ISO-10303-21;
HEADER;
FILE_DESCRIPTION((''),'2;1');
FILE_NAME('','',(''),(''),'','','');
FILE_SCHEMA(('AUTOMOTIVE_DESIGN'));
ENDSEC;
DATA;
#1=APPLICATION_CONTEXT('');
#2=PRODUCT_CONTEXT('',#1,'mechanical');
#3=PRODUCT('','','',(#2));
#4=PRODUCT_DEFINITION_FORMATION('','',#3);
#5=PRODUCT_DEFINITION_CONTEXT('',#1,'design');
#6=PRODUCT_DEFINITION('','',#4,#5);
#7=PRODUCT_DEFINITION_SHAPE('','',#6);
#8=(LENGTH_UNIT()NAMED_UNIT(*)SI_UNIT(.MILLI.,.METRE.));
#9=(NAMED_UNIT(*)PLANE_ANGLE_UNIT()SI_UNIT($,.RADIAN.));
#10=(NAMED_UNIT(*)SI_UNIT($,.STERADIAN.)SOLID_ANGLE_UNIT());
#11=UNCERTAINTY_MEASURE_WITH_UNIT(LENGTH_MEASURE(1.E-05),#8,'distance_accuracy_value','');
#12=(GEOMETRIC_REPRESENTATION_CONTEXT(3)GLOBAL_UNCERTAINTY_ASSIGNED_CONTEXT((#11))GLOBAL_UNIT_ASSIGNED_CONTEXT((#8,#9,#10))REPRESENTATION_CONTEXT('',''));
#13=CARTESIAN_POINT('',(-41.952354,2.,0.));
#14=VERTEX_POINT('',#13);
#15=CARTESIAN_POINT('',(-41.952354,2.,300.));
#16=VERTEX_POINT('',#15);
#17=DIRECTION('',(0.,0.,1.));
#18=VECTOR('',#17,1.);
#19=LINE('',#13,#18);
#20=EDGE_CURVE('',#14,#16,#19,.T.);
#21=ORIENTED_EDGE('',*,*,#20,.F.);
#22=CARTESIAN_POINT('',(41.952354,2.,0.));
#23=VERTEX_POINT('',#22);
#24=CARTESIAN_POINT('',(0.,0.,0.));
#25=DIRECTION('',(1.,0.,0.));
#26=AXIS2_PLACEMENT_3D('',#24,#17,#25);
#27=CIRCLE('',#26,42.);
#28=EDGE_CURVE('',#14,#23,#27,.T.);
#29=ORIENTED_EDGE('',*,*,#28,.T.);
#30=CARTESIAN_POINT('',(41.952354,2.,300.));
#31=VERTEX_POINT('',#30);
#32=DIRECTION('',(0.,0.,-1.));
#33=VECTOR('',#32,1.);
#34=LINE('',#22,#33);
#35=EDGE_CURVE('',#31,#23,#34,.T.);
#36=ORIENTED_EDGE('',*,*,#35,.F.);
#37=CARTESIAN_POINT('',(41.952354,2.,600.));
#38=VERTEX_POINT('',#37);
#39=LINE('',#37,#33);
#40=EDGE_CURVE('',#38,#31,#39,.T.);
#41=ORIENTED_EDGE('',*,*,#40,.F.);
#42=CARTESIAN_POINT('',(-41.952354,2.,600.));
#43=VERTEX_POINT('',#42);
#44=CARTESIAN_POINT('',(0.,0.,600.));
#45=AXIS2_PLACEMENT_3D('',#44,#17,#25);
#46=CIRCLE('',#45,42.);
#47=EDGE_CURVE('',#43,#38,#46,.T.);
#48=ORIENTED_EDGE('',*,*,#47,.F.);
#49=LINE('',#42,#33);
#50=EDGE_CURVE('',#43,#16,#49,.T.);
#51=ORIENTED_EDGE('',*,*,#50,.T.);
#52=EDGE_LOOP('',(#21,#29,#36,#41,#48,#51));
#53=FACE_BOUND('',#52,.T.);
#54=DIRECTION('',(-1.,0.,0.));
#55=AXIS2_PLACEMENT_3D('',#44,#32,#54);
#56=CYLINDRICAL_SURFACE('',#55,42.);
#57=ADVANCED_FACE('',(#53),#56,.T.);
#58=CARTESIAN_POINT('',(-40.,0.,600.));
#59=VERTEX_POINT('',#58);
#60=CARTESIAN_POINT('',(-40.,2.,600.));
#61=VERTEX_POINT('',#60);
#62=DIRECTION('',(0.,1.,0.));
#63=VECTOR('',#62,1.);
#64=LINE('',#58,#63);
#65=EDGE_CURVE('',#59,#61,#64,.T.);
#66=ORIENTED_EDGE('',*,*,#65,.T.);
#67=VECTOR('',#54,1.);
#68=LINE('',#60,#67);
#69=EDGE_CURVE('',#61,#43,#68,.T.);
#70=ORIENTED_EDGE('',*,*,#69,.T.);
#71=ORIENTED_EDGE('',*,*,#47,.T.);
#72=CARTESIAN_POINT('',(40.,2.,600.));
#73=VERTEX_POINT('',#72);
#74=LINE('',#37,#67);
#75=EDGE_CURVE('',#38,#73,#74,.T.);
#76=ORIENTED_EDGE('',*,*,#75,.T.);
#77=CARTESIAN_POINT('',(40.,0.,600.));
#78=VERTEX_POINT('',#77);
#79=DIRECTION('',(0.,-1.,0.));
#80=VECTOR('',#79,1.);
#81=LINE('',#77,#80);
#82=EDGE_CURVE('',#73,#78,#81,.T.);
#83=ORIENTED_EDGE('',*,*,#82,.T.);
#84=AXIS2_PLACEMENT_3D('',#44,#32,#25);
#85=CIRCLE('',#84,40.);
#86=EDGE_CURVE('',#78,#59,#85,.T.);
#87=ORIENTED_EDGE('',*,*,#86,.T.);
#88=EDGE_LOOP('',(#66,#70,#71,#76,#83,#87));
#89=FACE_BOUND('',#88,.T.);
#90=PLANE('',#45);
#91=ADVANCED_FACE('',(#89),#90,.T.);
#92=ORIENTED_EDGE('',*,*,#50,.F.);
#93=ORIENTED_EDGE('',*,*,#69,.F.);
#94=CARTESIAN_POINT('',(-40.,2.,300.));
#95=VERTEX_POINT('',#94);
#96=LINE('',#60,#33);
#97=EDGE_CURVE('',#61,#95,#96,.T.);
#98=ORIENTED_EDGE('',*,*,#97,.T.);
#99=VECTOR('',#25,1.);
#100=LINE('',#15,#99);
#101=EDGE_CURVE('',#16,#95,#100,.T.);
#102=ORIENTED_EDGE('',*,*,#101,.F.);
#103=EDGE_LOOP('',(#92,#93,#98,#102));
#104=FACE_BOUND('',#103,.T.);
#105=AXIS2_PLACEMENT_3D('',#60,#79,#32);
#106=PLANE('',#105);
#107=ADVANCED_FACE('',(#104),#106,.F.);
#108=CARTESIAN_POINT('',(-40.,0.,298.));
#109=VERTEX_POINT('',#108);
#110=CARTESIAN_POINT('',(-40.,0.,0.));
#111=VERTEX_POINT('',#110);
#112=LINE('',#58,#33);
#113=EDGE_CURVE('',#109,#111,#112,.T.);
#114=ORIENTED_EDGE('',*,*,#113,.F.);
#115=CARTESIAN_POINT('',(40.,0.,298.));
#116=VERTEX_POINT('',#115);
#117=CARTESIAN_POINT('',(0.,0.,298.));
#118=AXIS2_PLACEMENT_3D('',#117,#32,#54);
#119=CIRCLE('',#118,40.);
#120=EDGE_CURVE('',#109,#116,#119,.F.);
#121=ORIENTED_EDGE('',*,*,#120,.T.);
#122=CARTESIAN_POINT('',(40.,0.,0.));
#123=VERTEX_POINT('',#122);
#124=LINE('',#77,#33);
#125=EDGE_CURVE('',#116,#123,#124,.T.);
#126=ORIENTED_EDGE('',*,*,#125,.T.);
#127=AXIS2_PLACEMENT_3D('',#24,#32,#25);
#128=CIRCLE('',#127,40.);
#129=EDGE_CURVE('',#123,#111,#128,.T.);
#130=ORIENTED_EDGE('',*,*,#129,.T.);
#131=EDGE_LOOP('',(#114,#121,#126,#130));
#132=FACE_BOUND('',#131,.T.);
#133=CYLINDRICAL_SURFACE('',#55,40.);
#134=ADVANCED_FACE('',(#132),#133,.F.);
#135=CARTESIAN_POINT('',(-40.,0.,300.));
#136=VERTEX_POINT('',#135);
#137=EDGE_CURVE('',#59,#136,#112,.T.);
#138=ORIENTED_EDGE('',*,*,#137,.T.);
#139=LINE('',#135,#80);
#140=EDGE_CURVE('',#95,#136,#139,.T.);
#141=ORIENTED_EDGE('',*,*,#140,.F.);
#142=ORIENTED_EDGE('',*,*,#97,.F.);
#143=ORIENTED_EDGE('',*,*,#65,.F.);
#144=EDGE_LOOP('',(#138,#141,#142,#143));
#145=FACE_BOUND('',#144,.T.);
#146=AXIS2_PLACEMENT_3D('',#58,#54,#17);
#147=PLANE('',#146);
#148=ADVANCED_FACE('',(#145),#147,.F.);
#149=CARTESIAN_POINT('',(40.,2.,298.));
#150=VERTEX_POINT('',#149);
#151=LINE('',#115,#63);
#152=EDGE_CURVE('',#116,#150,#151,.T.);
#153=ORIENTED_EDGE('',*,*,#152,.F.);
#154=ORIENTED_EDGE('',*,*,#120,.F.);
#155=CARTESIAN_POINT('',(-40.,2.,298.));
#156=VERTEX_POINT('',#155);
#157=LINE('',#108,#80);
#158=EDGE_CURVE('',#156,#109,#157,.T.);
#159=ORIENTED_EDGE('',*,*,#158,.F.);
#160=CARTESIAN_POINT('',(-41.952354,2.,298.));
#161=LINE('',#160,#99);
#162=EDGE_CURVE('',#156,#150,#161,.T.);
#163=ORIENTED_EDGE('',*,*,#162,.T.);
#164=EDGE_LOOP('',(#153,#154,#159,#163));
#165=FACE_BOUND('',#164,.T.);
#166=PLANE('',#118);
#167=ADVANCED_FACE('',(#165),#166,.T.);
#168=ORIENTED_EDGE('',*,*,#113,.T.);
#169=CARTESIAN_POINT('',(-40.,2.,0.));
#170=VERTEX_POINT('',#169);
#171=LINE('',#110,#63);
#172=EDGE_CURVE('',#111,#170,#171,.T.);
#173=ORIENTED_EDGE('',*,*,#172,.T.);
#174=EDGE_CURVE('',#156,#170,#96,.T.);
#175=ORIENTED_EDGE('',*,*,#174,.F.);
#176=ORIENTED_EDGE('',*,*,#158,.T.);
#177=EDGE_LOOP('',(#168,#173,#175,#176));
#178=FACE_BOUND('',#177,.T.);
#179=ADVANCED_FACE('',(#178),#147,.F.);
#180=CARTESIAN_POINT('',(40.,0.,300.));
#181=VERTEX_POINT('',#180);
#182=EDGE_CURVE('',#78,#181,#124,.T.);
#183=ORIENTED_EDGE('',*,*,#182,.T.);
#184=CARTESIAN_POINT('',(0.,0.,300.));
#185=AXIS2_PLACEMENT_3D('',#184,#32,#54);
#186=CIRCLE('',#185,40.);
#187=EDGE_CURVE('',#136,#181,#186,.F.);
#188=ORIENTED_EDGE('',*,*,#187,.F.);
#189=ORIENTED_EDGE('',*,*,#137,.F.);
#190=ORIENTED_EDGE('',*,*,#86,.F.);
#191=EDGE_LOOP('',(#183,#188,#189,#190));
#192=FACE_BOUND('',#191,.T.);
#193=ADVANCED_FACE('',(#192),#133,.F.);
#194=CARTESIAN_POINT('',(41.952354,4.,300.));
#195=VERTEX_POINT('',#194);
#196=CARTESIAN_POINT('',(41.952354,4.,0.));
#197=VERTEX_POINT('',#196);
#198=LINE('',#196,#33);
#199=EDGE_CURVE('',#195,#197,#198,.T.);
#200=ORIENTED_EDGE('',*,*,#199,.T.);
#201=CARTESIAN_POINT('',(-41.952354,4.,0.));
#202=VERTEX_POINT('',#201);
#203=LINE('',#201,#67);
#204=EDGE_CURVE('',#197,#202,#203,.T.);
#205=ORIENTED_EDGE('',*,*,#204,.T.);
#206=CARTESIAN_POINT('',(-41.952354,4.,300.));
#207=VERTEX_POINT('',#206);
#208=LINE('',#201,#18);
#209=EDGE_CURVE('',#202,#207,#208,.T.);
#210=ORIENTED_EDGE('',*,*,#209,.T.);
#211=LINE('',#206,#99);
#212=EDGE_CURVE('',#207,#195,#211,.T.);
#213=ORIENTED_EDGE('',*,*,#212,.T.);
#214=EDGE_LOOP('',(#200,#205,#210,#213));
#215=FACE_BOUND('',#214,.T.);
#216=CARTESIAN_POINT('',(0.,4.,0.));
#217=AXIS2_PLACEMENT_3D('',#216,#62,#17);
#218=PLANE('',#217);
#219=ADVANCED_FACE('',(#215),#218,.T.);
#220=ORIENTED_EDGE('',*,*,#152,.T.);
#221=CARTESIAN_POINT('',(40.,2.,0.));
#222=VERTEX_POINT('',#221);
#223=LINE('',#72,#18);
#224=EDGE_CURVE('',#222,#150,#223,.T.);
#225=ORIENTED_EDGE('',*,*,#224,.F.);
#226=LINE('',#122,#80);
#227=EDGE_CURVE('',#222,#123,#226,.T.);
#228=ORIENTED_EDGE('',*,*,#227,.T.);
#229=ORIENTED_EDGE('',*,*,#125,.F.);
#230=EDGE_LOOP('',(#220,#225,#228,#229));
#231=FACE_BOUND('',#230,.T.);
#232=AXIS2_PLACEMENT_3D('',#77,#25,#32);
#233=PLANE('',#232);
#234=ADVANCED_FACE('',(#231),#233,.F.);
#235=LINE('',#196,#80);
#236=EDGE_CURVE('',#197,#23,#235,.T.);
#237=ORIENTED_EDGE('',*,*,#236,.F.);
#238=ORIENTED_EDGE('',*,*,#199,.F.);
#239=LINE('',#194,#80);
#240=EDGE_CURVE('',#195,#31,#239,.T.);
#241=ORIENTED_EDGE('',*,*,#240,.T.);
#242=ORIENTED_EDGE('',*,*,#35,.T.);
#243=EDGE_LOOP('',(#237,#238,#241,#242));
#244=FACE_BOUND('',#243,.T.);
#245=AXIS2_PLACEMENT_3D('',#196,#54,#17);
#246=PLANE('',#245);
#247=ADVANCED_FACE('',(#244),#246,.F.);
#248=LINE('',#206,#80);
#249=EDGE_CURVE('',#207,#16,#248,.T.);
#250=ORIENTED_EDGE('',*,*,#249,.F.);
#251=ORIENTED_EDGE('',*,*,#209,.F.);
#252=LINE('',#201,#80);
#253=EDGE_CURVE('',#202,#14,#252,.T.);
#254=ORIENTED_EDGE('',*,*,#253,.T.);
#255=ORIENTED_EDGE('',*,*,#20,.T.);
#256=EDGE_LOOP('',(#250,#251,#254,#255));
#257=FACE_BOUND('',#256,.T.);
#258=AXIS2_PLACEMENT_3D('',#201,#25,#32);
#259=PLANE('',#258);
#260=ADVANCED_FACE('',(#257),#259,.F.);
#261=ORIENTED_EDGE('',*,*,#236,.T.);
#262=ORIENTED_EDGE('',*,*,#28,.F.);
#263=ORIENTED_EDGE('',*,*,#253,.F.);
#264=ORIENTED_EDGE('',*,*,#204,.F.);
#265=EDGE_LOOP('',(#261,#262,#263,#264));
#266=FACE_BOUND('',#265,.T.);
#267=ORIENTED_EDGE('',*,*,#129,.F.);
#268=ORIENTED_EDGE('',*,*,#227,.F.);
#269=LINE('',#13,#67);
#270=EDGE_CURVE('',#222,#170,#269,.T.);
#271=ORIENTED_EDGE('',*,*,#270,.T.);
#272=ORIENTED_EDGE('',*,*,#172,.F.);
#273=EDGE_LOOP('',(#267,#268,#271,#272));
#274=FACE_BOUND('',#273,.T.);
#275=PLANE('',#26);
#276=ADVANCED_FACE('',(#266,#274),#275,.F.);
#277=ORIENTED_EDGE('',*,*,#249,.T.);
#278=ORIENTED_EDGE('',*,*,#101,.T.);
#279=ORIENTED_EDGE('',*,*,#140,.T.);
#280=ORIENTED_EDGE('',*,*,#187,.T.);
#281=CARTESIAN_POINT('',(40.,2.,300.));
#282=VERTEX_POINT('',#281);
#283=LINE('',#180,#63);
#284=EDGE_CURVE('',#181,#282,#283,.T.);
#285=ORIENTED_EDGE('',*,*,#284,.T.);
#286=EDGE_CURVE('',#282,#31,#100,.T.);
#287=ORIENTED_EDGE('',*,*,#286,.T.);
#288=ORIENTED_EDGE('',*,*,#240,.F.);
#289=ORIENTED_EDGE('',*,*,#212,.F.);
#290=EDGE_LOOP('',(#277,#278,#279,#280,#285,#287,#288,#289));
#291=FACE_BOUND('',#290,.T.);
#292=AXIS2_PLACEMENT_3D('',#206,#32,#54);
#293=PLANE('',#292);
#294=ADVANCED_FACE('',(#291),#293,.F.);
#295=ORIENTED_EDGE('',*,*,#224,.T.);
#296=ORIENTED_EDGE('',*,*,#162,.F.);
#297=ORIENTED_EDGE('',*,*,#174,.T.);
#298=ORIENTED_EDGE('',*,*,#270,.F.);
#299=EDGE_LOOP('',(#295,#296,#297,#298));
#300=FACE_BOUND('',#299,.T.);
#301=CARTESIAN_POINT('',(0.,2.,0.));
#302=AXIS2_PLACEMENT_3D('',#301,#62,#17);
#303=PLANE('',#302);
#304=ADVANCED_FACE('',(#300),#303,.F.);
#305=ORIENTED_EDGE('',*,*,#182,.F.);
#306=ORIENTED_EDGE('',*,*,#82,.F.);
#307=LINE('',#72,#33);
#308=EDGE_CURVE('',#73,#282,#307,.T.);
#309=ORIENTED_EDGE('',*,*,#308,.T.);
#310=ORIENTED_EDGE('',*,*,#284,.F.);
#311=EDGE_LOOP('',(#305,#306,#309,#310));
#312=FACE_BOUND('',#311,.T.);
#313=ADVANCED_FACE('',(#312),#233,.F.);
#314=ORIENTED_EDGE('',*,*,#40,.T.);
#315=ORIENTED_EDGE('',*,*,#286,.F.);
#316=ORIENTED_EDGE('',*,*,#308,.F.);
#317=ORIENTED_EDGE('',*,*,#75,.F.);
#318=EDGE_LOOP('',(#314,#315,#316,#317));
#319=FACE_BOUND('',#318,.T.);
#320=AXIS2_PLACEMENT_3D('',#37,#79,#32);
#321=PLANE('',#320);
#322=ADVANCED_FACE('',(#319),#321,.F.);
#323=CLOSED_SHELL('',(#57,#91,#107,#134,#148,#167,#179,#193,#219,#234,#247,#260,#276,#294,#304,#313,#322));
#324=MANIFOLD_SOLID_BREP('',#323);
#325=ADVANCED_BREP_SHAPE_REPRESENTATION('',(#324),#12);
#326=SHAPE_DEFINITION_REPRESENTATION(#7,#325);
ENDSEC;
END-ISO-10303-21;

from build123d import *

# Parameters (mm, degrees)
BOSS_EXTRUDE1_DEPTH = 600
SKETCH2_W           = 83.904707854
SKETCH2_H           = 300
BOSS_EXTRUDE2_DEPTH = 2
BOSS_EXTRUDE3_START = -298
BOSS_EXTRUDE3_DEPTH = 2


with BuildPart() as part:
    # Sketch1 → Boss-Extrude1 (new body)
    with BuildSketch(Plane.XY):
        with BuildLine():
            Line((41.952353927, 2), (40, 2))
            Line((40, 2), (40, 0))
            ThreePointArc((40, 0), (0, -40), (-40, 0))
            Line((-40, 0), (-40, 2))
            Line((-40, 2), (-41.952353927, 2))
            ThreePointArc((-41.952353927, 2), (0, -42), (41.952353927, 2))
        make_face()
    extrude(amount=BOSS_EXTRUDE1_DEPTH)

    # Sketch2 → Boss-Extrude2 (add)
    with BuildSketch(Plane(origin=(0, 2, 0), x_dir=(1, 0, 0), z_dir=(0, 1, 0))):
        with Locations((0, -150)):
            Rectangle(SKETCH2_W, SKETCH2_H)
    extrude(amount=BOSS_EXTRUDE2_DEPTH)

    # Sketch3 → Boss-Extrude3 (add)
    with BuildSketch(Plane(origin=(0, 0, 0), x_dir=(-1, 0, 0), z_dir=(0, 0, -1)).offset(BOSS_EXTRUDE3_START)):
        with BuildLine():
            Line((41.952353927, 2), (-41.952353927, 2))
            ThreePointArc((-41.952353927, 2), (0, -42), (41.952353927, 2))
        make_face()
    extrude(amount=-BOSS_EXTRUDE3_DEPTH)


solid = part.part
